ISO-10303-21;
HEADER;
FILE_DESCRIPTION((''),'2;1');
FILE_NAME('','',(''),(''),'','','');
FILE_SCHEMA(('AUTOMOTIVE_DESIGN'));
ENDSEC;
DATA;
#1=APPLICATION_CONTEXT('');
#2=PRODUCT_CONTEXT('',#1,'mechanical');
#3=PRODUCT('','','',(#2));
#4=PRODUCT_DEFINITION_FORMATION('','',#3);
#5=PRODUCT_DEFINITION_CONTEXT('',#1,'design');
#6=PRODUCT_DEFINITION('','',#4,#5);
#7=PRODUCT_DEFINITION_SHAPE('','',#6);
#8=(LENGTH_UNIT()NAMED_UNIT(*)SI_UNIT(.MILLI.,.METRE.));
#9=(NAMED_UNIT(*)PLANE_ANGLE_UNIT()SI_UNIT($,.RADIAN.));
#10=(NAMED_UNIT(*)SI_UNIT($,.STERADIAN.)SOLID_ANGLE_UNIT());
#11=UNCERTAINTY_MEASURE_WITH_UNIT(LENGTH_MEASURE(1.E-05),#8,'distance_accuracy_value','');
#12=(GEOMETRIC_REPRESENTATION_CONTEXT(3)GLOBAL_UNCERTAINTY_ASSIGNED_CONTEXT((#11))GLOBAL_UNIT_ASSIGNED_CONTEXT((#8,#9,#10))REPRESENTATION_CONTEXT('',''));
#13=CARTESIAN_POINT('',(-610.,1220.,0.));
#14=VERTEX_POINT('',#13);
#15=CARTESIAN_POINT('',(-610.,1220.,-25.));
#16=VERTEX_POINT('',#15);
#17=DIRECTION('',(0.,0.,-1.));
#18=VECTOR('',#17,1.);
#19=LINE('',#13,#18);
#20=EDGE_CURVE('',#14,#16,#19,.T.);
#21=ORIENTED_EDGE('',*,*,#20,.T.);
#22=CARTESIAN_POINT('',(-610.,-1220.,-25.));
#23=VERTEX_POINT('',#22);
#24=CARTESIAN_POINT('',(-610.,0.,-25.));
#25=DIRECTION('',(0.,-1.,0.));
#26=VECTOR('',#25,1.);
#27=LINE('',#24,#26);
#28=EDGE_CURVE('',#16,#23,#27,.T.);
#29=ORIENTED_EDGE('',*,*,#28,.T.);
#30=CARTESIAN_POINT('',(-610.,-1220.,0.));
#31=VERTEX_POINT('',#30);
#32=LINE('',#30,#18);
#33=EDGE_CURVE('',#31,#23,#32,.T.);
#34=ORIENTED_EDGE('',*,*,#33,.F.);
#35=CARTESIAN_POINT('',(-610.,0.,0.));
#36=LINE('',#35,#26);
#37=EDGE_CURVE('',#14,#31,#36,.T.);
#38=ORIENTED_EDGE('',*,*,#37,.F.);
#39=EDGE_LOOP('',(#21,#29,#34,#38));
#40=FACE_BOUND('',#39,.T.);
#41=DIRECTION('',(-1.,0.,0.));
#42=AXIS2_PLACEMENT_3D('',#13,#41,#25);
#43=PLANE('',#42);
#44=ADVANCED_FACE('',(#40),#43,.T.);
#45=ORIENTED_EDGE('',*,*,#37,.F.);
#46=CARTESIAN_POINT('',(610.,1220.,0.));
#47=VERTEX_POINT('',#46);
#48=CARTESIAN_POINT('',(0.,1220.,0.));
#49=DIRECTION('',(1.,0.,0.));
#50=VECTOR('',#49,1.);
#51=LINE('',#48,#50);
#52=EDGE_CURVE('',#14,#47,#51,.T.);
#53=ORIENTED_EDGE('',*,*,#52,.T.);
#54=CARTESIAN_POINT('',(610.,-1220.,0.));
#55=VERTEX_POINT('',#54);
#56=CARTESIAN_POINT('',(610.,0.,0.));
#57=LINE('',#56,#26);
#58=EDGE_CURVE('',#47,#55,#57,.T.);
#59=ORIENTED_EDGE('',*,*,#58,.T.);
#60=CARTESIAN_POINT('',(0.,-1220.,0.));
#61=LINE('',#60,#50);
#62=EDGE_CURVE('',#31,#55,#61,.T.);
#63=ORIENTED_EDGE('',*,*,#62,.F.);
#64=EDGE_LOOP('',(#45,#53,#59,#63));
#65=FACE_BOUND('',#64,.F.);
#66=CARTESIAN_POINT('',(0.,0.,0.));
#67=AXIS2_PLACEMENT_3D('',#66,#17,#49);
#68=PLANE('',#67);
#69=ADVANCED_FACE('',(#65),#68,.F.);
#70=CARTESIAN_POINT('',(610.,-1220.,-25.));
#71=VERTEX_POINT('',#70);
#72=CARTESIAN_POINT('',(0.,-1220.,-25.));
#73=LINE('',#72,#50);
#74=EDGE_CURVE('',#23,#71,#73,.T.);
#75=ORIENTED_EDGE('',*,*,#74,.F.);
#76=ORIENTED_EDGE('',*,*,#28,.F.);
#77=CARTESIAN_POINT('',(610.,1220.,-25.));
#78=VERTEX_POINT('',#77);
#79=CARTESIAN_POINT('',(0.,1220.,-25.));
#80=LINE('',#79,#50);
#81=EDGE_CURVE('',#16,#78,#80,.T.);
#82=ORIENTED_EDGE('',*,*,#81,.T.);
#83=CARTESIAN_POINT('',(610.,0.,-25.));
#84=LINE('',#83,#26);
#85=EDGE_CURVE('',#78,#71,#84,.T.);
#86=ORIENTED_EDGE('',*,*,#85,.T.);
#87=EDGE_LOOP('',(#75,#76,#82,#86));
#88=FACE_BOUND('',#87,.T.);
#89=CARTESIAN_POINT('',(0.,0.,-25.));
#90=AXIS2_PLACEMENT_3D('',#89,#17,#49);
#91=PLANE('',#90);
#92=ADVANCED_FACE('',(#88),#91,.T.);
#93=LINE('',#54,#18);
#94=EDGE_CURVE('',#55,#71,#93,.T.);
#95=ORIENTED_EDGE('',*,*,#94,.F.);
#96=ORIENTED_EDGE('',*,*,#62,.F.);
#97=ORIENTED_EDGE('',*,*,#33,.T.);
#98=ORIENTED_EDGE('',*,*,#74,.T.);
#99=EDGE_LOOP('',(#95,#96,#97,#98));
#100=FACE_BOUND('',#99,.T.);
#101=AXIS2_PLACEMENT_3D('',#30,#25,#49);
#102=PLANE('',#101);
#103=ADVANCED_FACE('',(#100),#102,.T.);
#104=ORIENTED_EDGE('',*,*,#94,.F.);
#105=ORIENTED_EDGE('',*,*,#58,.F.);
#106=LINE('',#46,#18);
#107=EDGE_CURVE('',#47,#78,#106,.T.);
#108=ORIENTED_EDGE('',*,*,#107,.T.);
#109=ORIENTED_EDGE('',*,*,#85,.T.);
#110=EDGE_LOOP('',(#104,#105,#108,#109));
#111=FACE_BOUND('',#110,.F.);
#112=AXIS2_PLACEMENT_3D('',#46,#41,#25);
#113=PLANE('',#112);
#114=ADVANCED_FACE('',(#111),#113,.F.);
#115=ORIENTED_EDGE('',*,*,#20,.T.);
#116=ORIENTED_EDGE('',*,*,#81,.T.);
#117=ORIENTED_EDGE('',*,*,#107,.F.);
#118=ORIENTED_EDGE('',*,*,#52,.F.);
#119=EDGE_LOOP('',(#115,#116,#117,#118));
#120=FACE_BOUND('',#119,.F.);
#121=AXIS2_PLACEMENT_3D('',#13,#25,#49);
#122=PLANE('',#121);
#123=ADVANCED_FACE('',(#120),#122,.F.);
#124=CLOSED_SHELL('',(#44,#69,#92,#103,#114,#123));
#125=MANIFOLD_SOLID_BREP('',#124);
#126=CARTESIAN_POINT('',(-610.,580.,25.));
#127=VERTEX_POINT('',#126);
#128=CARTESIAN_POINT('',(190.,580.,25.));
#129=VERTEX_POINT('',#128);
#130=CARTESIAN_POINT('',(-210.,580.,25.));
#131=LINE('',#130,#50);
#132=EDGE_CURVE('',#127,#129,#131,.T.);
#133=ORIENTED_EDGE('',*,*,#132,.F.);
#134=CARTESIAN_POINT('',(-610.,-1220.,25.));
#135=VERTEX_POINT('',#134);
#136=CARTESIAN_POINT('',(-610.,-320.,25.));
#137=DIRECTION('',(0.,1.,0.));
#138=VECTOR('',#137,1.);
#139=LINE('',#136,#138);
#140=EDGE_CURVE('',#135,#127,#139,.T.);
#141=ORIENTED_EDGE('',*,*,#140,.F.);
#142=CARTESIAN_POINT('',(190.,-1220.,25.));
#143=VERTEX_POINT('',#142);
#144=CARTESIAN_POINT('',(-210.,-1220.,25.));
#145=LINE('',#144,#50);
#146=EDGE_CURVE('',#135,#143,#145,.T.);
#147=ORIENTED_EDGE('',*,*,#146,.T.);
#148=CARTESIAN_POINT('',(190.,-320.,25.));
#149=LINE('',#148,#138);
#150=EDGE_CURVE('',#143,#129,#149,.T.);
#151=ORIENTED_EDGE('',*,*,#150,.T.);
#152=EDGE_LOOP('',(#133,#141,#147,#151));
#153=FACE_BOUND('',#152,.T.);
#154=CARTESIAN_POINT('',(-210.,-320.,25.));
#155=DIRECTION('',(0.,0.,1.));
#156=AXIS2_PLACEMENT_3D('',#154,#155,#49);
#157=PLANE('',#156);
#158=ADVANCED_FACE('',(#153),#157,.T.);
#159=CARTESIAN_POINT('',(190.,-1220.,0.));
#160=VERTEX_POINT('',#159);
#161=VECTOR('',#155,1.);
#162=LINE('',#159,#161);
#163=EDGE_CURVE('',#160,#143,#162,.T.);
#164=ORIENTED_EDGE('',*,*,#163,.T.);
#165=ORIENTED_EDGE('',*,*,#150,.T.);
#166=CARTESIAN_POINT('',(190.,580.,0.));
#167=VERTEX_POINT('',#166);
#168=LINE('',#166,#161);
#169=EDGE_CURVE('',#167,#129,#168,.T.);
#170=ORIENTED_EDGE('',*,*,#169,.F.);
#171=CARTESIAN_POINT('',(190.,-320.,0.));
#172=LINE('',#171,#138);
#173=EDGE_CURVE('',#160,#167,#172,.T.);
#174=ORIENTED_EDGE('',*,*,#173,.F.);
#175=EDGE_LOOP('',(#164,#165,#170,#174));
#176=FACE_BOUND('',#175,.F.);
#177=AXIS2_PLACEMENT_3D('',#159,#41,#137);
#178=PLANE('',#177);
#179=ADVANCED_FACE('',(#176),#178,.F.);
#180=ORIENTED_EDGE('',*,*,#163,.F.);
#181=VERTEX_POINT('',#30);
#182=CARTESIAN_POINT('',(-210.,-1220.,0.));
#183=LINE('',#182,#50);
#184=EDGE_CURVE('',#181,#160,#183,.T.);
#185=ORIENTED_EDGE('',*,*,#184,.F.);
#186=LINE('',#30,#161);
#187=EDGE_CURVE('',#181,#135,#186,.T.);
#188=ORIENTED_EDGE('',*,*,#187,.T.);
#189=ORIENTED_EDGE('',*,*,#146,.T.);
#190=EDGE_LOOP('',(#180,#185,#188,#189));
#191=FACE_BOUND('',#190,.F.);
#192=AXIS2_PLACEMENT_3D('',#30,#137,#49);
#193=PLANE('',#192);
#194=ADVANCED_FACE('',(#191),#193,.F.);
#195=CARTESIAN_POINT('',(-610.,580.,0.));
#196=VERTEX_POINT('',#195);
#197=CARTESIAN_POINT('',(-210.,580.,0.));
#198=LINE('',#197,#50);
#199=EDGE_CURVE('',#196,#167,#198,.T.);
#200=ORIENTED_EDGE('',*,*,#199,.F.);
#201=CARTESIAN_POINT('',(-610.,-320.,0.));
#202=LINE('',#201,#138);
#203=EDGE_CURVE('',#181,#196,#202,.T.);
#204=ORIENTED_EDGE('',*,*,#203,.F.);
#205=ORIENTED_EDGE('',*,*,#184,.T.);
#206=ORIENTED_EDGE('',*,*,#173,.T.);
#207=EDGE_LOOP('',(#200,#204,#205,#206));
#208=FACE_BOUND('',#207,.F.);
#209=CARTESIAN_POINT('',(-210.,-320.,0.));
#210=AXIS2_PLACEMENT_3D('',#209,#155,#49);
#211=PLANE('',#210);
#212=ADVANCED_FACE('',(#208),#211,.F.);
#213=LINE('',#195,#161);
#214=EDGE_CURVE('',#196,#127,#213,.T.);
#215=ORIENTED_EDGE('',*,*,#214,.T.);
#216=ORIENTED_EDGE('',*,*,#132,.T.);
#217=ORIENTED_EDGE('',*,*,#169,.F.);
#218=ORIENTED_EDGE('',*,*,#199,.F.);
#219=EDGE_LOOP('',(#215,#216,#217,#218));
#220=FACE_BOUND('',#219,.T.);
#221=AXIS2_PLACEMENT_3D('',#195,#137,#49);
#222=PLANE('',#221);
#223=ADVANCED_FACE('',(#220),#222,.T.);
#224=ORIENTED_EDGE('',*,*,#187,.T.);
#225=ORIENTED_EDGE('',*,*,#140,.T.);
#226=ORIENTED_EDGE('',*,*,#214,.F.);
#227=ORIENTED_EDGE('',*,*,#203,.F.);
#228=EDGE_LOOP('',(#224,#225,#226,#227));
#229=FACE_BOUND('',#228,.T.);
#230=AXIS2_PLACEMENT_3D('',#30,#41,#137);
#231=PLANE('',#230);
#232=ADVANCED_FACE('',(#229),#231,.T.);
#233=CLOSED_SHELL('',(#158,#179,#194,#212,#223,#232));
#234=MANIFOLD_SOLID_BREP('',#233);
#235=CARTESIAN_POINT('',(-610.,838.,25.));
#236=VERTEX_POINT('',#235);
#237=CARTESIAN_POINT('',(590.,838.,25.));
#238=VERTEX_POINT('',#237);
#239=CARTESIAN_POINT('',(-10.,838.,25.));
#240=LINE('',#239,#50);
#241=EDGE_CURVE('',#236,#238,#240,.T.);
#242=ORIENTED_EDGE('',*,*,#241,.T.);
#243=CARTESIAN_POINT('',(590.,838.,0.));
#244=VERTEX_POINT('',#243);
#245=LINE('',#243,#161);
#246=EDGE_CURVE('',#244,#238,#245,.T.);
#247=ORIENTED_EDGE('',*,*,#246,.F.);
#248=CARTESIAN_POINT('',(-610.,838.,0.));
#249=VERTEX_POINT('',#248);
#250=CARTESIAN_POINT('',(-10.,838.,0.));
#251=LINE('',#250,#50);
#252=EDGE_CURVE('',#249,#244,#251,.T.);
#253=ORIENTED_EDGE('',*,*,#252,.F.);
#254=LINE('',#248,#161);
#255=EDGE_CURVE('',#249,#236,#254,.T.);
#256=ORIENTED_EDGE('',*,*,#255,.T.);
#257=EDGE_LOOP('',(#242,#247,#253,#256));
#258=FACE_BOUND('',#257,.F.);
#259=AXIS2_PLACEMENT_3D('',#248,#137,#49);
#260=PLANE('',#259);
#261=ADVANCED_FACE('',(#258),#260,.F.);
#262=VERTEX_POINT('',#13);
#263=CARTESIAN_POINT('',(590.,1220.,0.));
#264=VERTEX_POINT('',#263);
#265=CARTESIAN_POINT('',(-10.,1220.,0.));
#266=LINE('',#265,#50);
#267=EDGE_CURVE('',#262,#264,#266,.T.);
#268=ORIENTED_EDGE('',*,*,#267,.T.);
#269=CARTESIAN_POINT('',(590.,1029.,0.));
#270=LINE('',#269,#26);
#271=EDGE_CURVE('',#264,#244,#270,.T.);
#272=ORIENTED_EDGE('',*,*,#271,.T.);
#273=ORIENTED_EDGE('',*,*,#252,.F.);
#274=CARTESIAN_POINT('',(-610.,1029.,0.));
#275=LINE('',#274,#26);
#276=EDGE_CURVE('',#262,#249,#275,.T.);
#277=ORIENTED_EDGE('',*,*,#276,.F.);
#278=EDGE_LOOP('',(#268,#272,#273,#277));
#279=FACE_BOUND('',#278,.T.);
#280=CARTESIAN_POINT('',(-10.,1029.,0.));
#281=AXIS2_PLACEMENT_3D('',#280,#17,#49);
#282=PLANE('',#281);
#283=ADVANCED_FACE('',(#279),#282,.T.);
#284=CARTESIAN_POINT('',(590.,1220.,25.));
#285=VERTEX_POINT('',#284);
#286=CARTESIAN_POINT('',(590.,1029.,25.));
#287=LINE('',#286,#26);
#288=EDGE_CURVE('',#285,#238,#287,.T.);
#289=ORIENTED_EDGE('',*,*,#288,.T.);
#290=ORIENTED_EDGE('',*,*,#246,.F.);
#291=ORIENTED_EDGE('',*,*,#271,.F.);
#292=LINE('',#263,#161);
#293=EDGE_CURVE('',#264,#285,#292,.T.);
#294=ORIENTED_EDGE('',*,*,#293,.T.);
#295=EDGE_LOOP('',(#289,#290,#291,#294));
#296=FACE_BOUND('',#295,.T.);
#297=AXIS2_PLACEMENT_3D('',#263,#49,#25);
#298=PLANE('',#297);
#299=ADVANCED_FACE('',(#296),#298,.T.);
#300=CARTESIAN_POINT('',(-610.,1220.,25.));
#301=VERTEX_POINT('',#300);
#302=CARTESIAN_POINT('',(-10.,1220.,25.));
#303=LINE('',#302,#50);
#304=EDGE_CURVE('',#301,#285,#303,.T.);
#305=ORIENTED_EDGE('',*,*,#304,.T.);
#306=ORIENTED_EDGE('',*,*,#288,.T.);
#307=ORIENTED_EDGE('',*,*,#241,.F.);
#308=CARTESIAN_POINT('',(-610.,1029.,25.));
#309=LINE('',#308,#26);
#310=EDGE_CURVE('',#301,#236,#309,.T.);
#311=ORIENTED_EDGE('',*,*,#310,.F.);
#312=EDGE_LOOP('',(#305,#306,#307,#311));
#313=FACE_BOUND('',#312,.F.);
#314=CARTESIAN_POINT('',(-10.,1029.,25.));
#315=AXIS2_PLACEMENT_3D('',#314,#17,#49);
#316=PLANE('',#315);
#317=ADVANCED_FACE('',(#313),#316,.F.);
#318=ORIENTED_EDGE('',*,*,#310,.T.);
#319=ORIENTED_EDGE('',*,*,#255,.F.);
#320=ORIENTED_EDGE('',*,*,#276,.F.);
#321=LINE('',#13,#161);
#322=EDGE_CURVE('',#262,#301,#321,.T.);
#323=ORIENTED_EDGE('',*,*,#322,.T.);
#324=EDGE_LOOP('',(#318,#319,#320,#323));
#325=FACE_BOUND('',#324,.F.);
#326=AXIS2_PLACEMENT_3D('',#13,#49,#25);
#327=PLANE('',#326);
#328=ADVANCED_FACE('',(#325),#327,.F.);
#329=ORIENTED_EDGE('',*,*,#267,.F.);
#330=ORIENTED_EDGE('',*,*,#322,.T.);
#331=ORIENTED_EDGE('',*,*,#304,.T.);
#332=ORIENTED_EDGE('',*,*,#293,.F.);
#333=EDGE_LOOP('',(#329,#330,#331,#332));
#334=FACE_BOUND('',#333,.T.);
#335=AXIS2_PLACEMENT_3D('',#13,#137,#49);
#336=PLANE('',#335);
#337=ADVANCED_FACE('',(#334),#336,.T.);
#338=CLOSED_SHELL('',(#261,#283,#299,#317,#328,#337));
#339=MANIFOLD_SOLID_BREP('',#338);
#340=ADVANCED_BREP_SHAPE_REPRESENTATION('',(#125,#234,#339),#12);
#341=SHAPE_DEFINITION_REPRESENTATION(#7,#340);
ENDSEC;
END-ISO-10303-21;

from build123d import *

# Parameters (mm, degrees)
F0_W     = 800
F0_H     = 1800
F1_DEPTH = 25
F2_W     = 1200
F2_H     = 382
F3_DEPTH = 25
F4_W     = 1220
F4_H     = 2440
F5_DEPTH = 25


with BuildPart() as f1:
    # F0 (on Top) → F1 (new body)
    with BuildSketch(Plane.XY):
        with Locations((-210, -320)):
            Rectangle(F0_W, F0_H)
    extrude(amount=F1_DEPTH)


with BuildPart() as f3:
    # F2 (on face) → F3 (new body)
    with BuildSketch(Plane(origin=(0, 0, 0), x_dir=(1, 0, 0), z_dir=(0, 0, -1))):
        with Locations((-10, -1029)):
            Rectangle(F2_W, F2_H)
    extrude(amount=-F3_DEPTH)


with BuildPart() as f5:
    # F4 (on face) → F5 (new body)
    with BuildSketch(Plane(origin=(0, 0, 0), x_dir=(1, 0, 0), z_dir=(0, 0, -1))):
        Rectangle(F4_W, F4_H)
    extrude(amount=F5_DEPTH)


solid = Compound([f1.part, f3.part, f5.part])
